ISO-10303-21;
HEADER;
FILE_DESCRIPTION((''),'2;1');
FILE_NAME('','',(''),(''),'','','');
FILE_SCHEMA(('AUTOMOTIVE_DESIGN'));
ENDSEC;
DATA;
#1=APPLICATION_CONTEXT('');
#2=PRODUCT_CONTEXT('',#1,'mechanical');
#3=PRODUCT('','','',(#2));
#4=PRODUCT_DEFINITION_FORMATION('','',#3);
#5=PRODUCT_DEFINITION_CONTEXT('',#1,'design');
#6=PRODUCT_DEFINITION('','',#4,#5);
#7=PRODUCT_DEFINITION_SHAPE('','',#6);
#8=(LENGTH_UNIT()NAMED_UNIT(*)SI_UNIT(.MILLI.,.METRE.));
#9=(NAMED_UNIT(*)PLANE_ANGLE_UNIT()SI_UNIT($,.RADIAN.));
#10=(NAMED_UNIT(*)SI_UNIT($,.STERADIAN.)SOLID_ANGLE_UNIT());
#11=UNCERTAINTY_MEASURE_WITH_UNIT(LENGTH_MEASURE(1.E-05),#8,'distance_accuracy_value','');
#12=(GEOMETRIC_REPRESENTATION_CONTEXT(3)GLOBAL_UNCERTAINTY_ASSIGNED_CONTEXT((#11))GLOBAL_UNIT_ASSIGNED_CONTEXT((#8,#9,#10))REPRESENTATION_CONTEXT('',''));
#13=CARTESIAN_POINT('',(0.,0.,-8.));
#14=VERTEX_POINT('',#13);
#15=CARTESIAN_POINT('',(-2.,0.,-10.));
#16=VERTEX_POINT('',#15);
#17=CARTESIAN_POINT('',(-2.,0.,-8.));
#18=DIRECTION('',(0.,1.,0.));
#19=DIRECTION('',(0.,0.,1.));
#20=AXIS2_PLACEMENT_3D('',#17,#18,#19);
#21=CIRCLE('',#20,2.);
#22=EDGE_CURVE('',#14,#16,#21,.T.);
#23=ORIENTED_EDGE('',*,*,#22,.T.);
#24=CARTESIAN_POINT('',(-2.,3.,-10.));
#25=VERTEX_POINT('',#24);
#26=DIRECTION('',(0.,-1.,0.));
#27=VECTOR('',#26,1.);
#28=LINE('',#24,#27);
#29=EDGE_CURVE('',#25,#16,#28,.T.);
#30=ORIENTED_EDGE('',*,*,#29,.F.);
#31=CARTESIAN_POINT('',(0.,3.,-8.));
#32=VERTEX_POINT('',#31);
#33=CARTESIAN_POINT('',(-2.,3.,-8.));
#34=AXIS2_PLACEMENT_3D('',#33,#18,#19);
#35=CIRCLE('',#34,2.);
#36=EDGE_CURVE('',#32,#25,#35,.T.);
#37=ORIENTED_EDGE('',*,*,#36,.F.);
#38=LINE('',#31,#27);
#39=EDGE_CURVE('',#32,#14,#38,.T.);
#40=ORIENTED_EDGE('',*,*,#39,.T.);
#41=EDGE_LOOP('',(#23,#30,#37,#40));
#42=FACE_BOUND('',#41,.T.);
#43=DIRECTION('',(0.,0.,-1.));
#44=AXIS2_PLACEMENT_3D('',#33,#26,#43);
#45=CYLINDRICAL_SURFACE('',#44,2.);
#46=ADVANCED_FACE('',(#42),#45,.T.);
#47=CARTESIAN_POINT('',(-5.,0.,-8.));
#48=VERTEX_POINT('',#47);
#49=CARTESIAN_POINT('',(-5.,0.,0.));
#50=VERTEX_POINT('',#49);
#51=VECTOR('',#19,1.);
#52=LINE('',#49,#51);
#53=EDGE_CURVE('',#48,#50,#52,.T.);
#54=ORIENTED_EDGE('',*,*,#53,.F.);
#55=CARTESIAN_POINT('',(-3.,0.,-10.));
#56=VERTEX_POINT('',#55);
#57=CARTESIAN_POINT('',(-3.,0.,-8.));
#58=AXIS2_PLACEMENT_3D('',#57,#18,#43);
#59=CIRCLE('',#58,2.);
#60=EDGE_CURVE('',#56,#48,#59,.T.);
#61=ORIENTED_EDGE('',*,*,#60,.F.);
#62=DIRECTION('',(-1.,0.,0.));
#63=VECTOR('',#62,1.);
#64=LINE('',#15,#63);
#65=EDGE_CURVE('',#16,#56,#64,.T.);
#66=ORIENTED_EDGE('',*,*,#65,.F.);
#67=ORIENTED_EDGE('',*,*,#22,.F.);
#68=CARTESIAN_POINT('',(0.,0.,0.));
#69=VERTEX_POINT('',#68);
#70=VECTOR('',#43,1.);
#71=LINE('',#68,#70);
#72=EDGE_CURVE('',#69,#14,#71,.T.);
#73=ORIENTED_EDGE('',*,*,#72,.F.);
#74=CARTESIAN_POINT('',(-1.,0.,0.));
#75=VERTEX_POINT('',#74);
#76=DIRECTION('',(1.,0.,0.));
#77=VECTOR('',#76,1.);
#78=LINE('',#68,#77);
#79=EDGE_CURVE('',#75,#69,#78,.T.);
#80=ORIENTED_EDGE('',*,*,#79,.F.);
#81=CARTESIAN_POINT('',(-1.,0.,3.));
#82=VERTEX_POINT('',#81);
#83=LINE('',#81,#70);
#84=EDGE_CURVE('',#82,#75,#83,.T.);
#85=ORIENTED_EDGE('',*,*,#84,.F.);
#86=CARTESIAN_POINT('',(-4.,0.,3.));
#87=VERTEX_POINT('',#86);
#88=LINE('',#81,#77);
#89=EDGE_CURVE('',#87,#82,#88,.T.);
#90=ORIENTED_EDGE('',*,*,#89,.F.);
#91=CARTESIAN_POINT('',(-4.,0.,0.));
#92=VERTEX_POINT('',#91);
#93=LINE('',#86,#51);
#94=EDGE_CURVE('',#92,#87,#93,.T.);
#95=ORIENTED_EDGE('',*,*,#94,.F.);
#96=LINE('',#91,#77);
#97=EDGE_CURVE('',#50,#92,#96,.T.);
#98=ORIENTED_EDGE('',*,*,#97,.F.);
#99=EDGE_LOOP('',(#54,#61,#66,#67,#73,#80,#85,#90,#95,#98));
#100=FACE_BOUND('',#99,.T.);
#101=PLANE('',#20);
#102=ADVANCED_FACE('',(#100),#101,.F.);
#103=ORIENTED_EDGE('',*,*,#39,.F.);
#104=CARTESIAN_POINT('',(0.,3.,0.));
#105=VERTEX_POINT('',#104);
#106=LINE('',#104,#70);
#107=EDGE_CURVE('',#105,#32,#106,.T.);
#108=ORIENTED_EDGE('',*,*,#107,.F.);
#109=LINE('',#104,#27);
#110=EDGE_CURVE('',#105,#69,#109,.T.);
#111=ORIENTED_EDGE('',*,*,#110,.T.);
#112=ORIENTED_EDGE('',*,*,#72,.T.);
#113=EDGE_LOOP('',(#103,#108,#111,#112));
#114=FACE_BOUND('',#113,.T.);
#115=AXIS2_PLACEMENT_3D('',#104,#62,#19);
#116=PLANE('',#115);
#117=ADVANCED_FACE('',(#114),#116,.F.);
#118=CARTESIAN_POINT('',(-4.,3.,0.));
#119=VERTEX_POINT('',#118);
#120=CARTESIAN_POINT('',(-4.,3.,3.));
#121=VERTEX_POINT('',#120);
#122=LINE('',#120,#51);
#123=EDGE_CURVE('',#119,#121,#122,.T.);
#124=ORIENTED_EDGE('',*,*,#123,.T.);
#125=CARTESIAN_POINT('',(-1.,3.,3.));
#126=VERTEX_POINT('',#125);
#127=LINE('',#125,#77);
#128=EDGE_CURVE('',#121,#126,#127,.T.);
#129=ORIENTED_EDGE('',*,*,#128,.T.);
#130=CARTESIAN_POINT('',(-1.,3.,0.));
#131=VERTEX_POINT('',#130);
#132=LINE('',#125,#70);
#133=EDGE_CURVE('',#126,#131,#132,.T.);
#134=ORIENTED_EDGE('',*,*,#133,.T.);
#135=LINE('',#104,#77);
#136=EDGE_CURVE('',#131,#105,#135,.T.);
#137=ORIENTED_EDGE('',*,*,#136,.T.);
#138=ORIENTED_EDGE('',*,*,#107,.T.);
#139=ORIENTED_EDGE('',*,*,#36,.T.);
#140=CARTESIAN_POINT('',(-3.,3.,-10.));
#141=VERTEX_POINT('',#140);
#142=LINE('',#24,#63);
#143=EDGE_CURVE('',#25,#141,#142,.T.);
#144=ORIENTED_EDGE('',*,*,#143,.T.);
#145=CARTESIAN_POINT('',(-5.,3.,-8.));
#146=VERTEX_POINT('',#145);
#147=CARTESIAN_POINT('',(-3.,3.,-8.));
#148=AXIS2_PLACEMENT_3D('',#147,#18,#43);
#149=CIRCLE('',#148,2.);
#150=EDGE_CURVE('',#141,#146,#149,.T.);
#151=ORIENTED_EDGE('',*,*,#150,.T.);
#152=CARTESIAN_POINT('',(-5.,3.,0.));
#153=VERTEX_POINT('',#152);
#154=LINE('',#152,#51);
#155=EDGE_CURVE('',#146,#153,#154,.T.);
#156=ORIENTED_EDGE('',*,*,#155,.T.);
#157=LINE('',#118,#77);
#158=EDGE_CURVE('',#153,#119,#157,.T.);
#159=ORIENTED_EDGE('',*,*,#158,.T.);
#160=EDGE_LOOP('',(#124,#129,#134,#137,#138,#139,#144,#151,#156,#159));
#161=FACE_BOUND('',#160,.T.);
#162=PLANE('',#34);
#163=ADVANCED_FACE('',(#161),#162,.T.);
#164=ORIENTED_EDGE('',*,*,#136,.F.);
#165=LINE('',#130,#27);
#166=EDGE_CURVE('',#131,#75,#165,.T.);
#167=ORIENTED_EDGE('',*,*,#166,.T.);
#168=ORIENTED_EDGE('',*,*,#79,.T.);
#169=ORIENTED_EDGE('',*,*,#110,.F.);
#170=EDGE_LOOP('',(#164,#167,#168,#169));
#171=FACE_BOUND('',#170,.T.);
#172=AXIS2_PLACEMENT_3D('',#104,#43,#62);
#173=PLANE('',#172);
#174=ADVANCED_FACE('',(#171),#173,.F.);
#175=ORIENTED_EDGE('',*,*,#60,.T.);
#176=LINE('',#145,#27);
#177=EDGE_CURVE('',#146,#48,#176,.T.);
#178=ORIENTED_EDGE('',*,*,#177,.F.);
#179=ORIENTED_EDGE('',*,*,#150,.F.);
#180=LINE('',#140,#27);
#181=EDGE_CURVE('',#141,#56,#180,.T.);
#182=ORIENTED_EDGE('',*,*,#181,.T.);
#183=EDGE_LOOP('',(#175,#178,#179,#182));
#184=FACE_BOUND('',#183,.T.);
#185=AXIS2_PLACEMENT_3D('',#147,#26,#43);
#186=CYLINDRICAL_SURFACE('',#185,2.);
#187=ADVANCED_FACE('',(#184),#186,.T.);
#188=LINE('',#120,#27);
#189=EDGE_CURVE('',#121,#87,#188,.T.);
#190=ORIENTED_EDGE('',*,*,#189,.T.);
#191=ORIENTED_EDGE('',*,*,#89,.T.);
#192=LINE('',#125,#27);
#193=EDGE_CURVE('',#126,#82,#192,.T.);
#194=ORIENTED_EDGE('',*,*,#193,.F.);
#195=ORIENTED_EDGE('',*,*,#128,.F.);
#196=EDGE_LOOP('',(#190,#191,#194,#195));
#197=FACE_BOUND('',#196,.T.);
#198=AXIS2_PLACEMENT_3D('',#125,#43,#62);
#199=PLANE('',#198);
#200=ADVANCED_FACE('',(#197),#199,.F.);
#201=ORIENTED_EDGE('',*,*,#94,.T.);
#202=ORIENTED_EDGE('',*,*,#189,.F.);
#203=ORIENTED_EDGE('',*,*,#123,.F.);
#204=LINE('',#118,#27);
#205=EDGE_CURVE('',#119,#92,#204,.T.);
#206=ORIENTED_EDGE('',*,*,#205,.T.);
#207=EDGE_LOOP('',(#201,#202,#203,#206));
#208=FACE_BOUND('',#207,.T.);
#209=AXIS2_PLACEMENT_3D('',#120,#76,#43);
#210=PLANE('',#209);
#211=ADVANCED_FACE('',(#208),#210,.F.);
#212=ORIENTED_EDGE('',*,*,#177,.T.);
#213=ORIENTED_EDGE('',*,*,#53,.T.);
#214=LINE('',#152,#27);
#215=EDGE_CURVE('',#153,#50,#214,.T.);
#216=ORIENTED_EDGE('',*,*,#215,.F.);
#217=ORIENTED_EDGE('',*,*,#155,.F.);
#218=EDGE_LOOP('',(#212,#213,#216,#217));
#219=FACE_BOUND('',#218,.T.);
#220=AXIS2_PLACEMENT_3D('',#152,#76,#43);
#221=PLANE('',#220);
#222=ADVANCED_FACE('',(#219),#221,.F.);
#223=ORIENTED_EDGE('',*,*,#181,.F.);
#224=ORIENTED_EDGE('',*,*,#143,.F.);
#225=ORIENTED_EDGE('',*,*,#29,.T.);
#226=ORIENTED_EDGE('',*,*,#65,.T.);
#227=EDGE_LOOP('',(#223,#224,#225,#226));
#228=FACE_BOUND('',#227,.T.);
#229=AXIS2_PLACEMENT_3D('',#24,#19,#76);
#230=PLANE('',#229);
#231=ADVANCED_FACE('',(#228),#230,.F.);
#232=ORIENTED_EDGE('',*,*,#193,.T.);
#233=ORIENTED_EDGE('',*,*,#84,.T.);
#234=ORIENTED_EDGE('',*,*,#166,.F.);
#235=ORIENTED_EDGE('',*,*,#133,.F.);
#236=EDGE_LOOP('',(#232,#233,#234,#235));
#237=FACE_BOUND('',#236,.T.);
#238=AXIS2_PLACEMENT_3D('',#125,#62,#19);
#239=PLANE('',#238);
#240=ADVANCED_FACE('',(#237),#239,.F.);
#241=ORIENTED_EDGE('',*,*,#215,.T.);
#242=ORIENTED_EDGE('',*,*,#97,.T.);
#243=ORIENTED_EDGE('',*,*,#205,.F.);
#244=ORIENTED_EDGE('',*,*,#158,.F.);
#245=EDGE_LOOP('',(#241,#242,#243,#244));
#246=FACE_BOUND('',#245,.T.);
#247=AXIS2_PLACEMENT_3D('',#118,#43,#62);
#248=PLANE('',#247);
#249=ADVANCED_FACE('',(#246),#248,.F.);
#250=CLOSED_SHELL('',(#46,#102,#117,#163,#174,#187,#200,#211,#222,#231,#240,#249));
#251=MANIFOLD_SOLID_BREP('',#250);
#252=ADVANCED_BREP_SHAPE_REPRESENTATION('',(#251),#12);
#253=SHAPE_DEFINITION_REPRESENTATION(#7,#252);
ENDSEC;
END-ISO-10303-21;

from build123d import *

# Parameters (mm, degrees)
BOSS_EXTRUDE1_DEPTH = 3


with BuildPart() as part:
    # Sketch1 → Boss-Extrude1 (new body)
    with BuildSketch(Plane(origin=(0, 0, 0), x_dir=(1, 0, 0), z_dir=(0, 1, 0))):
        with BuildLine():
            Line((-1, -3), (-4, -3))
            Line((-4, -3), (-4, 0))
            Line((-4, 0), (-5, 0))
            Line((-5, 0), (-5, 8))
            ThreePointArc((-5, 8), (-4.414213562, 9.414213562), (-3, 10))
            Line((-3, 10), (-2, 10))
            ThreePointArc((-2, 10), (-0.585786438, 9.414213562), (0, 8))
            Line((0, 8), (0, 0))
            Line((0, 0), (-1, 0))
            Line((-1, 0), (-1, -3))
        make_face()
    extrude(amount=BOSS_EXTRUDE1_DEPTH)


solid = part.part
